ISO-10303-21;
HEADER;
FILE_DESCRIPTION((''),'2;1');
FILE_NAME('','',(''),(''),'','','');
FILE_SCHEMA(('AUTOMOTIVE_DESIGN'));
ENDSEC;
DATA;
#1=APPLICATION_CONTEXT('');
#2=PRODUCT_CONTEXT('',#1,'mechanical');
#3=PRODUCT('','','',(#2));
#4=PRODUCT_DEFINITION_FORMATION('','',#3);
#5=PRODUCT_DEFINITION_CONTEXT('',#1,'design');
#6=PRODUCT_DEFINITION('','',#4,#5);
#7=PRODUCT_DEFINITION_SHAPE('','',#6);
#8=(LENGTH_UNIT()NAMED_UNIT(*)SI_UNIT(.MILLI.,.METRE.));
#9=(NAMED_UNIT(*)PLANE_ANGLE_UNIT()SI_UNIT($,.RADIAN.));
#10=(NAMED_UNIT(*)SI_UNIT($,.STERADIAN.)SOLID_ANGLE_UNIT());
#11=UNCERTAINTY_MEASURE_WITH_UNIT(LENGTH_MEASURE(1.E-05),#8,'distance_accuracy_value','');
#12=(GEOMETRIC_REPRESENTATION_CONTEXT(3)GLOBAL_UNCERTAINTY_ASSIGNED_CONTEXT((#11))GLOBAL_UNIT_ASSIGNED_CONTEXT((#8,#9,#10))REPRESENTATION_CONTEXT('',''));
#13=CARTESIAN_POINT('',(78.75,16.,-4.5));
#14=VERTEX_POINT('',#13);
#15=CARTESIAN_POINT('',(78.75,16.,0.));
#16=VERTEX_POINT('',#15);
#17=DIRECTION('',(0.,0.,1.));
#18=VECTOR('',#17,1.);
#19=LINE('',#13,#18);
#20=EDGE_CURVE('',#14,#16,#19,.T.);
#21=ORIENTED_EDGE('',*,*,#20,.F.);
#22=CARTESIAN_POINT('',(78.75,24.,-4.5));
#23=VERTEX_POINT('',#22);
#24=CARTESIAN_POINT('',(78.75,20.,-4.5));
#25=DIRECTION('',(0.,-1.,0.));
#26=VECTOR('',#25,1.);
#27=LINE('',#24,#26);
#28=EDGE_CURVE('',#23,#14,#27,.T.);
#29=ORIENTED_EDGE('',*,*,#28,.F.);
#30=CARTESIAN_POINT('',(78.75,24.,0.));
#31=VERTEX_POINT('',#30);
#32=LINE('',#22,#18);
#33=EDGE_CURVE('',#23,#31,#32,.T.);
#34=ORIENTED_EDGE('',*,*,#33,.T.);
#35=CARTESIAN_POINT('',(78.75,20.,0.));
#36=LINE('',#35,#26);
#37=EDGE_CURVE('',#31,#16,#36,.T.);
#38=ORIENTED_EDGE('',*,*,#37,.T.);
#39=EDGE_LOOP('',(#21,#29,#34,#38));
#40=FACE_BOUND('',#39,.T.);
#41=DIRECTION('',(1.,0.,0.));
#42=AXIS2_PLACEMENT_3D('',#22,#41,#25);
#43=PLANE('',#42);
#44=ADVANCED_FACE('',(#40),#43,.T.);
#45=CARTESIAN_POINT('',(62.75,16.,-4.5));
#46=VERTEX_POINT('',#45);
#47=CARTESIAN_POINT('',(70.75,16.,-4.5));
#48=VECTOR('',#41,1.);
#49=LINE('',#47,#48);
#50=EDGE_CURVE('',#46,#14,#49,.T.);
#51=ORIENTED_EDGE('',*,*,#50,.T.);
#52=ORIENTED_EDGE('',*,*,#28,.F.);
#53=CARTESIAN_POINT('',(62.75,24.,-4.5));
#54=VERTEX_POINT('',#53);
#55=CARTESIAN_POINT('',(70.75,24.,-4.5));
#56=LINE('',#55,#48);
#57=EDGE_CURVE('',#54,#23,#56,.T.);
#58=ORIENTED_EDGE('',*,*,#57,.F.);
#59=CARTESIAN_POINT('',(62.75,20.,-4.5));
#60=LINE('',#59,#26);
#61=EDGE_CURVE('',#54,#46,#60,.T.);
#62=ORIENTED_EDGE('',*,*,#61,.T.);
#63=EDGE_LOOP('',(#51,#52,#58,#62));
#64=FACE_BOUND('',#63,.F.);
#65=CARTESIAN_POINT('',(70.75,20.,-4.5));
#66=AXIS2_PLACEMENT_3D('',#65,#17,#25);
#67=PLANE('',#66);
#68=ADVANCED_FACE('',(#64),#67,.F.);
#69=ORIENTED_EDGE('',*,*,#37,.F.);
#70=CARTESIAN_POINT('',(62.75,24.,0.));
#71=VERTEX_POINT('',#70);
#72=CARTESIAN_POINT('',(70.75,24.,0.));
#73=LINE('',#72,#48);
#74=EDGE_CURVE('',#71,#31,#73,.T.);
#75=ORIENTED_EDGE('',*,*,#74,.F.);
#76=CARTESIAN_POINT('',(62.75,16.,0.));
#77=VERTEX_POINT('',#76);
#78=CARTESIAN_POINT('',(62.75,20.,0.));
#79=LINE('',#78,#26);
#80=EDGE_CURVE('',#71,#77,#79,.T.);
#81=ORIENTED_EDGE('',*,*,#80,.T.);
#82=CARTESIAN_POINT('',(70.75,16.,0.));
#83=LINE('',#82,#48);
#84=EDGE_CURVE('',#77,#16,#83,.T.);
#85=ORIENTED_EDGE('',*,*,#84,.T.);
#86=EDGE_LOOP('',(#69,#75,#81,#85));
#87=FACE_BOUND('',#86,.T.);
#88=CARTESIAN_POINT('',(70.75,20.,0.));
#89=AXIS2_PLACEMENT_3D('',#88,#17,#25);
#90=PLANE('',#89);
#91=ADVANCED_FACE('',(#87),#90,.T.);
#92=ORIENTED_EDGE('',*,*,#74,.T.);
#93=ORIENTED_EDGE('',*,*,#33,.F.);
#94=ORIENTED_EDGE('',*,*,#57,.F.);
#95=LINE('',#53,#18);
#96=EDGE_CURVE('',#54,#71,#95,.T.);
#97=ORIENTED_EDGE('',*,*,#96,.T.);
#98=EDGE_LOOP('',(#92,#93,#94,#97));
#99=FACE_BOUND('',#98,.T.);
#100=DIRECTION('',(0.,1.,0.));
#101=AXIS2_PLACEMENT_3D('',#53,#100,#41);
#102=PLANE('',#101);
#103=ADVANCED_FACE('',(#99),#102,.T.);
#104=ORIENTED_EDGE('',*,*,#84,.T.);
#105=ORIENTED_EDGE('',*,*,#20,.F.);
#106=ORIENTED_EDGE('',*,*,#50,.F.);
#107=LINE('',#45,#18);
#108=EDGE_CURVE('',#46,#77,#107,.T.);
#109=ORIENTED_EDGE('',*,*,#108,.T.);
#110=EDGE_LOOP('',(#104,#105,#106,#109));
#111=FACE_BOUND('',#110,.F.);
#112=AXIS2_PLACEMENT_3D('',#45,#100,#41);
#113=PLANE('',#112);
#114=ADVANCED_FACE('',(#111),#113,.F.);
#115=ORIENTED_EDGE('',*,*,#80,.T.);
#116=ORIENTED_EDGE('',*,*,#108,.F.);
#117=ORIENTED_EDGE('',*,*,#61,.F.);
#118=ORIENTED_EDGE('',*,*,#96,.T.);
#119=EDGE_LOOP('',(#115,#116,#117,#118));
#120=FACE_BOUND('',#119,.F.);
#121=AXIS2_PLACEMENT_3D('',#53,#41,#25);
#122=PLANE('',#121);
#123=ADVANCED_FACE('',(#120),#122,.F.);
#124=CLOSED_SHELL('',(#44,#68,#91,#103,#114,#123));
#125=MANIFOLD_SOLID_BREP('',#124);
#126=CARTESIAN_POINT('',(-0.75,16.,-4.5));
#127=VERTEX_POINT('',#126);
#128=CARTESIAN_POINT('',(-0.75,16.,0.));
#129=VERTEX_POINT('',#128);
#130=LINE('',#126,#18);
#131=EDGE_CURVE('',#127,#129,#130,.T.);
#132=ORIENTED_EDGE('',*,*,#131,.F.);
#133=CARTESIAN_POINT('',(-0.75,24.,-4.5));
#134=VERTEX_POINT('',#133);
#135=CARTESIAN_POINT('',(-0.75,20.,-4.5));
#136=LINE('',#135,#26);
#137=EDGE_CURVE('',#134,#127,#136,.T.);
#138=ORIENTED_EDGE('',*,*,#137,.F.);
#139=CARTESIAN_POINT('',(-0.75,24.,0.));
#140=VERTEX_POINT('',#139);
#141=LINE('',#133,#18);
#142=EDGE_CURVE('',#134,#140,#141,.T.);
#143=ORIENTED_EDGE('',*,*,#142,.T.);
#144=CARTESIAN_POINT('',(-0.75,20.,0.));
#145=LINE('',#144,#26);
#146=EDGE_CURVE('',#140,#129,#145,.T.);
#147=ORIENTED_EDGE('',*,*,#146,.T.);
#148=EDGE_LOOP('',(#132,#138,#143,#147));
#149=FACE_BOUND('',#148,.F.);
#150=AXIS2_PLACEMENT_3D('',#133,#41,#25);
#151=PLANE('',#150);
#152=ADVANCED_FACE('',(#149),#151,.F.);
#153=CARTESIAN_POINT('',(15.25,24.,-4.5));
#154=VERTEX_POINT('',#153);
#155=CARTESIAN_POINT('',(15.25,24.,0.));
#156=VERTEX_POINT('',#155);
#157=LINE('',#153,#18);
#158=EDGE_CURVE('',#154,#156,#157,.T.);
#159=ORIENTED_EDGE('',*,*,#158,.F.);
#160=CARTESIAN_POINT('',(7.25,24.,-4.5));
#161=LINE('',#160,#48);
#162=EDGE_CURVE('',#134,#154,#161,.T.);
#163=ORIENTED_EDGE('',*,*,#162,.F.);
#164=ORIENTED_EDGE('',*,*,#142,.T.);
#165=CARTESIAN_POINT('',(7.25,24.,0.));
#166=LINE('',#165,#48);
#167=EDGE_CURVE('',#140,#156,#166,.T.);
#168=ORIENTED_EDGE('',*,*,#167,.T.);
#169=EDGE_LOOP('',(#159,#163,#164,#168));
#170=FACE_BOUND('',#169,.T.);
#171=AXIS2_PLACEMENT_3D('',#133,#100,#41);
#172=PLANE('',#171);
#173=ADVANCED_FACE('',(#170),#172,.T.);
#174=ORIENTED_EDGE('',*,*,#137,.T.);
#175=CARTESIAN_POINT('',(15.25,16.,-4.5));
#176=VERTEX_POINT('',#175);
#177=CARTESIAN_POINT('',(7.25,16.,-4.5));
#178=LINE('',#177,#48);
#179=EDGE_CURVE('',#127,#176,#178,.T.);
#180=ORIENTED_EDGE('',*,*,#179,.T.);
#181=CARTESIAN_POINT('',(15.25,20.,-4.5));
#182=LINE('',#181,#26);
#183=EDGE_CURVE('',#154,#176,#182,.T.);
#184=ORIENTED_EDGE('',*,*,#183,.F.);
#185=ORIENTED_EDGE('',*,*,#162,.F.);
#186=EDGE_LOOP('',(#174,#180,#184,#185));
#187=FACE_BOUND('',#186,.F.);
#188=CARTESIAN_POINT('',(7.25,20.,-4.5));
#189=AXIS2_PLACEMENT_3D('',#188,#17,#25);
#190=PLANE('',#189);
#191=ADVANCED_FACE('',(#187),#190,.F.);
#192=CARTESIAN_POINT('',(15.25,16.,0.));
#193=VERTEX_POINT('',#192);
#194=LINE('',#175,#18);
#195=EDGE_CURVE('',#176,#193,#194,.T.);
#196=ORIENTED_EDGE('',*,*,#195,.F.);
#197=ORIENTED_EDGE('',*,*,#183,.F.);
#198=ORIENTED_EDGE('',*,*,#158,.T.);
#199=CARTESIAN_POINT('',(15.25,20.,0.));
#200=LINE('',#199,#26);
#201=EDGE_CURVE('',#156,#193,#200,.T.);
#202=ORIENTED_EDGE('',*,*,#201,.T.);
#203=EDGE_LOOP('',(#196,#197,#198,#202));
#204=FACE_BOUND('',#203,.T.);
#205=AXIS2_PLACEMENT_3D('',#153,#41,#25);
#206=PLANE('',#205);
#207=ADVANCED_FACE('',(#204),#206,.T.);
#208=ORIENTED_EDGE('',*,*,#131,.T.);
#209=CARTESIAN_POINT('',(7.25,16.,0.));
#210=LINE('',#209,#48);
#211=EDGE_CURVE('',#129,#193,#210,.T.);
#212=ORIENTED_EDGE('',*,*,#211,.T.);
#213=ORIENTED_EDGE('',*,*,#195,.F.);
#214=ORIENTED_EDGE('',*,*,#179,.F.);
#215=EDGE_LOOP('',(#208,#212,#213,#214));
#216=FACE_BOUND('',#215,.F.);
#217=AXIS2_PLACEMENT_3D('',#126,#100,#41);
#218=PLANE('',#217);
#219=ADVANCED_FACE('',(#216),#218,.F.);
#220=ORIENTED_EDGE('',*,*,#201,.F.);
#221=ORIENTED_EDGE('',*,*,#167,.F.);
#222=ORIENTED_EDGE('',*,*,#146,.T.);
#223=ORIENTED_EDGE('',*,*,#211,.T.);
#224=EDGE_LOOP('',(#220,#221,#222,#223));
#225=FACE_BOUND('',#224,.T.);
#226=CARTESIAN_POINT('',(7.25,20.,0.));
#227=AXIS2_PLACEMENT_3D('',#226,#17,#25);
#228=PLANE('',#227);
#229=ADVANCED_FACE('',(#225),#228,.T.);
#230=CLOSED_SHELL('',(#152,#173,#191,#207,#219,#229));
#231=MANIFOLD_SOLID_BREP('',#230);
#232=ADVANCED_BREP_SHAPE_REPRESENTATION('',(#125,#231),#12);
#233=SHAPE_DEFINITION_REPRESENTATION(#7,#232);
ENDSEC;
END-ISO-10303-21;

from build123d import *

# Parameters (mm, degrees)
BOX022_W     = 8
BOX022_H     = 16
BOX022_DEPTH = 4.5
BOX021_W     = 8
BOX021_H     = 16
BOX021_DEPTH = 4.5


with BuildPart() as cube021:
    # Box022 → Box022 (new body)
    with BuildSketch(Plane(origin=(-0.75, 24, -4.5), x_dir=(0, -1, 0), z_dir=(0, 0, 1))):
        with Locations((4, 8)):
            Rectangle(BOX022_W, BOX022_H)
    extrude(amount=BOX022_DEPTH)


with BuildPart() as ipsholds:
    # Box021 → Box021 (new body)
    with BuildSketch(Plane(origin=(62.75, 24, -4.5), x_dir=(0, -1, 0), z_dir=(0, 0, 1))):
        with Locations((4, 8)):
            Rectangle(BOX021_W, BOX021_H)
    extrude(amount=BOX021_DEPTH)

    # Fusion042: union Cube021
    add(cube021.part)


solid = ipsholds.part
